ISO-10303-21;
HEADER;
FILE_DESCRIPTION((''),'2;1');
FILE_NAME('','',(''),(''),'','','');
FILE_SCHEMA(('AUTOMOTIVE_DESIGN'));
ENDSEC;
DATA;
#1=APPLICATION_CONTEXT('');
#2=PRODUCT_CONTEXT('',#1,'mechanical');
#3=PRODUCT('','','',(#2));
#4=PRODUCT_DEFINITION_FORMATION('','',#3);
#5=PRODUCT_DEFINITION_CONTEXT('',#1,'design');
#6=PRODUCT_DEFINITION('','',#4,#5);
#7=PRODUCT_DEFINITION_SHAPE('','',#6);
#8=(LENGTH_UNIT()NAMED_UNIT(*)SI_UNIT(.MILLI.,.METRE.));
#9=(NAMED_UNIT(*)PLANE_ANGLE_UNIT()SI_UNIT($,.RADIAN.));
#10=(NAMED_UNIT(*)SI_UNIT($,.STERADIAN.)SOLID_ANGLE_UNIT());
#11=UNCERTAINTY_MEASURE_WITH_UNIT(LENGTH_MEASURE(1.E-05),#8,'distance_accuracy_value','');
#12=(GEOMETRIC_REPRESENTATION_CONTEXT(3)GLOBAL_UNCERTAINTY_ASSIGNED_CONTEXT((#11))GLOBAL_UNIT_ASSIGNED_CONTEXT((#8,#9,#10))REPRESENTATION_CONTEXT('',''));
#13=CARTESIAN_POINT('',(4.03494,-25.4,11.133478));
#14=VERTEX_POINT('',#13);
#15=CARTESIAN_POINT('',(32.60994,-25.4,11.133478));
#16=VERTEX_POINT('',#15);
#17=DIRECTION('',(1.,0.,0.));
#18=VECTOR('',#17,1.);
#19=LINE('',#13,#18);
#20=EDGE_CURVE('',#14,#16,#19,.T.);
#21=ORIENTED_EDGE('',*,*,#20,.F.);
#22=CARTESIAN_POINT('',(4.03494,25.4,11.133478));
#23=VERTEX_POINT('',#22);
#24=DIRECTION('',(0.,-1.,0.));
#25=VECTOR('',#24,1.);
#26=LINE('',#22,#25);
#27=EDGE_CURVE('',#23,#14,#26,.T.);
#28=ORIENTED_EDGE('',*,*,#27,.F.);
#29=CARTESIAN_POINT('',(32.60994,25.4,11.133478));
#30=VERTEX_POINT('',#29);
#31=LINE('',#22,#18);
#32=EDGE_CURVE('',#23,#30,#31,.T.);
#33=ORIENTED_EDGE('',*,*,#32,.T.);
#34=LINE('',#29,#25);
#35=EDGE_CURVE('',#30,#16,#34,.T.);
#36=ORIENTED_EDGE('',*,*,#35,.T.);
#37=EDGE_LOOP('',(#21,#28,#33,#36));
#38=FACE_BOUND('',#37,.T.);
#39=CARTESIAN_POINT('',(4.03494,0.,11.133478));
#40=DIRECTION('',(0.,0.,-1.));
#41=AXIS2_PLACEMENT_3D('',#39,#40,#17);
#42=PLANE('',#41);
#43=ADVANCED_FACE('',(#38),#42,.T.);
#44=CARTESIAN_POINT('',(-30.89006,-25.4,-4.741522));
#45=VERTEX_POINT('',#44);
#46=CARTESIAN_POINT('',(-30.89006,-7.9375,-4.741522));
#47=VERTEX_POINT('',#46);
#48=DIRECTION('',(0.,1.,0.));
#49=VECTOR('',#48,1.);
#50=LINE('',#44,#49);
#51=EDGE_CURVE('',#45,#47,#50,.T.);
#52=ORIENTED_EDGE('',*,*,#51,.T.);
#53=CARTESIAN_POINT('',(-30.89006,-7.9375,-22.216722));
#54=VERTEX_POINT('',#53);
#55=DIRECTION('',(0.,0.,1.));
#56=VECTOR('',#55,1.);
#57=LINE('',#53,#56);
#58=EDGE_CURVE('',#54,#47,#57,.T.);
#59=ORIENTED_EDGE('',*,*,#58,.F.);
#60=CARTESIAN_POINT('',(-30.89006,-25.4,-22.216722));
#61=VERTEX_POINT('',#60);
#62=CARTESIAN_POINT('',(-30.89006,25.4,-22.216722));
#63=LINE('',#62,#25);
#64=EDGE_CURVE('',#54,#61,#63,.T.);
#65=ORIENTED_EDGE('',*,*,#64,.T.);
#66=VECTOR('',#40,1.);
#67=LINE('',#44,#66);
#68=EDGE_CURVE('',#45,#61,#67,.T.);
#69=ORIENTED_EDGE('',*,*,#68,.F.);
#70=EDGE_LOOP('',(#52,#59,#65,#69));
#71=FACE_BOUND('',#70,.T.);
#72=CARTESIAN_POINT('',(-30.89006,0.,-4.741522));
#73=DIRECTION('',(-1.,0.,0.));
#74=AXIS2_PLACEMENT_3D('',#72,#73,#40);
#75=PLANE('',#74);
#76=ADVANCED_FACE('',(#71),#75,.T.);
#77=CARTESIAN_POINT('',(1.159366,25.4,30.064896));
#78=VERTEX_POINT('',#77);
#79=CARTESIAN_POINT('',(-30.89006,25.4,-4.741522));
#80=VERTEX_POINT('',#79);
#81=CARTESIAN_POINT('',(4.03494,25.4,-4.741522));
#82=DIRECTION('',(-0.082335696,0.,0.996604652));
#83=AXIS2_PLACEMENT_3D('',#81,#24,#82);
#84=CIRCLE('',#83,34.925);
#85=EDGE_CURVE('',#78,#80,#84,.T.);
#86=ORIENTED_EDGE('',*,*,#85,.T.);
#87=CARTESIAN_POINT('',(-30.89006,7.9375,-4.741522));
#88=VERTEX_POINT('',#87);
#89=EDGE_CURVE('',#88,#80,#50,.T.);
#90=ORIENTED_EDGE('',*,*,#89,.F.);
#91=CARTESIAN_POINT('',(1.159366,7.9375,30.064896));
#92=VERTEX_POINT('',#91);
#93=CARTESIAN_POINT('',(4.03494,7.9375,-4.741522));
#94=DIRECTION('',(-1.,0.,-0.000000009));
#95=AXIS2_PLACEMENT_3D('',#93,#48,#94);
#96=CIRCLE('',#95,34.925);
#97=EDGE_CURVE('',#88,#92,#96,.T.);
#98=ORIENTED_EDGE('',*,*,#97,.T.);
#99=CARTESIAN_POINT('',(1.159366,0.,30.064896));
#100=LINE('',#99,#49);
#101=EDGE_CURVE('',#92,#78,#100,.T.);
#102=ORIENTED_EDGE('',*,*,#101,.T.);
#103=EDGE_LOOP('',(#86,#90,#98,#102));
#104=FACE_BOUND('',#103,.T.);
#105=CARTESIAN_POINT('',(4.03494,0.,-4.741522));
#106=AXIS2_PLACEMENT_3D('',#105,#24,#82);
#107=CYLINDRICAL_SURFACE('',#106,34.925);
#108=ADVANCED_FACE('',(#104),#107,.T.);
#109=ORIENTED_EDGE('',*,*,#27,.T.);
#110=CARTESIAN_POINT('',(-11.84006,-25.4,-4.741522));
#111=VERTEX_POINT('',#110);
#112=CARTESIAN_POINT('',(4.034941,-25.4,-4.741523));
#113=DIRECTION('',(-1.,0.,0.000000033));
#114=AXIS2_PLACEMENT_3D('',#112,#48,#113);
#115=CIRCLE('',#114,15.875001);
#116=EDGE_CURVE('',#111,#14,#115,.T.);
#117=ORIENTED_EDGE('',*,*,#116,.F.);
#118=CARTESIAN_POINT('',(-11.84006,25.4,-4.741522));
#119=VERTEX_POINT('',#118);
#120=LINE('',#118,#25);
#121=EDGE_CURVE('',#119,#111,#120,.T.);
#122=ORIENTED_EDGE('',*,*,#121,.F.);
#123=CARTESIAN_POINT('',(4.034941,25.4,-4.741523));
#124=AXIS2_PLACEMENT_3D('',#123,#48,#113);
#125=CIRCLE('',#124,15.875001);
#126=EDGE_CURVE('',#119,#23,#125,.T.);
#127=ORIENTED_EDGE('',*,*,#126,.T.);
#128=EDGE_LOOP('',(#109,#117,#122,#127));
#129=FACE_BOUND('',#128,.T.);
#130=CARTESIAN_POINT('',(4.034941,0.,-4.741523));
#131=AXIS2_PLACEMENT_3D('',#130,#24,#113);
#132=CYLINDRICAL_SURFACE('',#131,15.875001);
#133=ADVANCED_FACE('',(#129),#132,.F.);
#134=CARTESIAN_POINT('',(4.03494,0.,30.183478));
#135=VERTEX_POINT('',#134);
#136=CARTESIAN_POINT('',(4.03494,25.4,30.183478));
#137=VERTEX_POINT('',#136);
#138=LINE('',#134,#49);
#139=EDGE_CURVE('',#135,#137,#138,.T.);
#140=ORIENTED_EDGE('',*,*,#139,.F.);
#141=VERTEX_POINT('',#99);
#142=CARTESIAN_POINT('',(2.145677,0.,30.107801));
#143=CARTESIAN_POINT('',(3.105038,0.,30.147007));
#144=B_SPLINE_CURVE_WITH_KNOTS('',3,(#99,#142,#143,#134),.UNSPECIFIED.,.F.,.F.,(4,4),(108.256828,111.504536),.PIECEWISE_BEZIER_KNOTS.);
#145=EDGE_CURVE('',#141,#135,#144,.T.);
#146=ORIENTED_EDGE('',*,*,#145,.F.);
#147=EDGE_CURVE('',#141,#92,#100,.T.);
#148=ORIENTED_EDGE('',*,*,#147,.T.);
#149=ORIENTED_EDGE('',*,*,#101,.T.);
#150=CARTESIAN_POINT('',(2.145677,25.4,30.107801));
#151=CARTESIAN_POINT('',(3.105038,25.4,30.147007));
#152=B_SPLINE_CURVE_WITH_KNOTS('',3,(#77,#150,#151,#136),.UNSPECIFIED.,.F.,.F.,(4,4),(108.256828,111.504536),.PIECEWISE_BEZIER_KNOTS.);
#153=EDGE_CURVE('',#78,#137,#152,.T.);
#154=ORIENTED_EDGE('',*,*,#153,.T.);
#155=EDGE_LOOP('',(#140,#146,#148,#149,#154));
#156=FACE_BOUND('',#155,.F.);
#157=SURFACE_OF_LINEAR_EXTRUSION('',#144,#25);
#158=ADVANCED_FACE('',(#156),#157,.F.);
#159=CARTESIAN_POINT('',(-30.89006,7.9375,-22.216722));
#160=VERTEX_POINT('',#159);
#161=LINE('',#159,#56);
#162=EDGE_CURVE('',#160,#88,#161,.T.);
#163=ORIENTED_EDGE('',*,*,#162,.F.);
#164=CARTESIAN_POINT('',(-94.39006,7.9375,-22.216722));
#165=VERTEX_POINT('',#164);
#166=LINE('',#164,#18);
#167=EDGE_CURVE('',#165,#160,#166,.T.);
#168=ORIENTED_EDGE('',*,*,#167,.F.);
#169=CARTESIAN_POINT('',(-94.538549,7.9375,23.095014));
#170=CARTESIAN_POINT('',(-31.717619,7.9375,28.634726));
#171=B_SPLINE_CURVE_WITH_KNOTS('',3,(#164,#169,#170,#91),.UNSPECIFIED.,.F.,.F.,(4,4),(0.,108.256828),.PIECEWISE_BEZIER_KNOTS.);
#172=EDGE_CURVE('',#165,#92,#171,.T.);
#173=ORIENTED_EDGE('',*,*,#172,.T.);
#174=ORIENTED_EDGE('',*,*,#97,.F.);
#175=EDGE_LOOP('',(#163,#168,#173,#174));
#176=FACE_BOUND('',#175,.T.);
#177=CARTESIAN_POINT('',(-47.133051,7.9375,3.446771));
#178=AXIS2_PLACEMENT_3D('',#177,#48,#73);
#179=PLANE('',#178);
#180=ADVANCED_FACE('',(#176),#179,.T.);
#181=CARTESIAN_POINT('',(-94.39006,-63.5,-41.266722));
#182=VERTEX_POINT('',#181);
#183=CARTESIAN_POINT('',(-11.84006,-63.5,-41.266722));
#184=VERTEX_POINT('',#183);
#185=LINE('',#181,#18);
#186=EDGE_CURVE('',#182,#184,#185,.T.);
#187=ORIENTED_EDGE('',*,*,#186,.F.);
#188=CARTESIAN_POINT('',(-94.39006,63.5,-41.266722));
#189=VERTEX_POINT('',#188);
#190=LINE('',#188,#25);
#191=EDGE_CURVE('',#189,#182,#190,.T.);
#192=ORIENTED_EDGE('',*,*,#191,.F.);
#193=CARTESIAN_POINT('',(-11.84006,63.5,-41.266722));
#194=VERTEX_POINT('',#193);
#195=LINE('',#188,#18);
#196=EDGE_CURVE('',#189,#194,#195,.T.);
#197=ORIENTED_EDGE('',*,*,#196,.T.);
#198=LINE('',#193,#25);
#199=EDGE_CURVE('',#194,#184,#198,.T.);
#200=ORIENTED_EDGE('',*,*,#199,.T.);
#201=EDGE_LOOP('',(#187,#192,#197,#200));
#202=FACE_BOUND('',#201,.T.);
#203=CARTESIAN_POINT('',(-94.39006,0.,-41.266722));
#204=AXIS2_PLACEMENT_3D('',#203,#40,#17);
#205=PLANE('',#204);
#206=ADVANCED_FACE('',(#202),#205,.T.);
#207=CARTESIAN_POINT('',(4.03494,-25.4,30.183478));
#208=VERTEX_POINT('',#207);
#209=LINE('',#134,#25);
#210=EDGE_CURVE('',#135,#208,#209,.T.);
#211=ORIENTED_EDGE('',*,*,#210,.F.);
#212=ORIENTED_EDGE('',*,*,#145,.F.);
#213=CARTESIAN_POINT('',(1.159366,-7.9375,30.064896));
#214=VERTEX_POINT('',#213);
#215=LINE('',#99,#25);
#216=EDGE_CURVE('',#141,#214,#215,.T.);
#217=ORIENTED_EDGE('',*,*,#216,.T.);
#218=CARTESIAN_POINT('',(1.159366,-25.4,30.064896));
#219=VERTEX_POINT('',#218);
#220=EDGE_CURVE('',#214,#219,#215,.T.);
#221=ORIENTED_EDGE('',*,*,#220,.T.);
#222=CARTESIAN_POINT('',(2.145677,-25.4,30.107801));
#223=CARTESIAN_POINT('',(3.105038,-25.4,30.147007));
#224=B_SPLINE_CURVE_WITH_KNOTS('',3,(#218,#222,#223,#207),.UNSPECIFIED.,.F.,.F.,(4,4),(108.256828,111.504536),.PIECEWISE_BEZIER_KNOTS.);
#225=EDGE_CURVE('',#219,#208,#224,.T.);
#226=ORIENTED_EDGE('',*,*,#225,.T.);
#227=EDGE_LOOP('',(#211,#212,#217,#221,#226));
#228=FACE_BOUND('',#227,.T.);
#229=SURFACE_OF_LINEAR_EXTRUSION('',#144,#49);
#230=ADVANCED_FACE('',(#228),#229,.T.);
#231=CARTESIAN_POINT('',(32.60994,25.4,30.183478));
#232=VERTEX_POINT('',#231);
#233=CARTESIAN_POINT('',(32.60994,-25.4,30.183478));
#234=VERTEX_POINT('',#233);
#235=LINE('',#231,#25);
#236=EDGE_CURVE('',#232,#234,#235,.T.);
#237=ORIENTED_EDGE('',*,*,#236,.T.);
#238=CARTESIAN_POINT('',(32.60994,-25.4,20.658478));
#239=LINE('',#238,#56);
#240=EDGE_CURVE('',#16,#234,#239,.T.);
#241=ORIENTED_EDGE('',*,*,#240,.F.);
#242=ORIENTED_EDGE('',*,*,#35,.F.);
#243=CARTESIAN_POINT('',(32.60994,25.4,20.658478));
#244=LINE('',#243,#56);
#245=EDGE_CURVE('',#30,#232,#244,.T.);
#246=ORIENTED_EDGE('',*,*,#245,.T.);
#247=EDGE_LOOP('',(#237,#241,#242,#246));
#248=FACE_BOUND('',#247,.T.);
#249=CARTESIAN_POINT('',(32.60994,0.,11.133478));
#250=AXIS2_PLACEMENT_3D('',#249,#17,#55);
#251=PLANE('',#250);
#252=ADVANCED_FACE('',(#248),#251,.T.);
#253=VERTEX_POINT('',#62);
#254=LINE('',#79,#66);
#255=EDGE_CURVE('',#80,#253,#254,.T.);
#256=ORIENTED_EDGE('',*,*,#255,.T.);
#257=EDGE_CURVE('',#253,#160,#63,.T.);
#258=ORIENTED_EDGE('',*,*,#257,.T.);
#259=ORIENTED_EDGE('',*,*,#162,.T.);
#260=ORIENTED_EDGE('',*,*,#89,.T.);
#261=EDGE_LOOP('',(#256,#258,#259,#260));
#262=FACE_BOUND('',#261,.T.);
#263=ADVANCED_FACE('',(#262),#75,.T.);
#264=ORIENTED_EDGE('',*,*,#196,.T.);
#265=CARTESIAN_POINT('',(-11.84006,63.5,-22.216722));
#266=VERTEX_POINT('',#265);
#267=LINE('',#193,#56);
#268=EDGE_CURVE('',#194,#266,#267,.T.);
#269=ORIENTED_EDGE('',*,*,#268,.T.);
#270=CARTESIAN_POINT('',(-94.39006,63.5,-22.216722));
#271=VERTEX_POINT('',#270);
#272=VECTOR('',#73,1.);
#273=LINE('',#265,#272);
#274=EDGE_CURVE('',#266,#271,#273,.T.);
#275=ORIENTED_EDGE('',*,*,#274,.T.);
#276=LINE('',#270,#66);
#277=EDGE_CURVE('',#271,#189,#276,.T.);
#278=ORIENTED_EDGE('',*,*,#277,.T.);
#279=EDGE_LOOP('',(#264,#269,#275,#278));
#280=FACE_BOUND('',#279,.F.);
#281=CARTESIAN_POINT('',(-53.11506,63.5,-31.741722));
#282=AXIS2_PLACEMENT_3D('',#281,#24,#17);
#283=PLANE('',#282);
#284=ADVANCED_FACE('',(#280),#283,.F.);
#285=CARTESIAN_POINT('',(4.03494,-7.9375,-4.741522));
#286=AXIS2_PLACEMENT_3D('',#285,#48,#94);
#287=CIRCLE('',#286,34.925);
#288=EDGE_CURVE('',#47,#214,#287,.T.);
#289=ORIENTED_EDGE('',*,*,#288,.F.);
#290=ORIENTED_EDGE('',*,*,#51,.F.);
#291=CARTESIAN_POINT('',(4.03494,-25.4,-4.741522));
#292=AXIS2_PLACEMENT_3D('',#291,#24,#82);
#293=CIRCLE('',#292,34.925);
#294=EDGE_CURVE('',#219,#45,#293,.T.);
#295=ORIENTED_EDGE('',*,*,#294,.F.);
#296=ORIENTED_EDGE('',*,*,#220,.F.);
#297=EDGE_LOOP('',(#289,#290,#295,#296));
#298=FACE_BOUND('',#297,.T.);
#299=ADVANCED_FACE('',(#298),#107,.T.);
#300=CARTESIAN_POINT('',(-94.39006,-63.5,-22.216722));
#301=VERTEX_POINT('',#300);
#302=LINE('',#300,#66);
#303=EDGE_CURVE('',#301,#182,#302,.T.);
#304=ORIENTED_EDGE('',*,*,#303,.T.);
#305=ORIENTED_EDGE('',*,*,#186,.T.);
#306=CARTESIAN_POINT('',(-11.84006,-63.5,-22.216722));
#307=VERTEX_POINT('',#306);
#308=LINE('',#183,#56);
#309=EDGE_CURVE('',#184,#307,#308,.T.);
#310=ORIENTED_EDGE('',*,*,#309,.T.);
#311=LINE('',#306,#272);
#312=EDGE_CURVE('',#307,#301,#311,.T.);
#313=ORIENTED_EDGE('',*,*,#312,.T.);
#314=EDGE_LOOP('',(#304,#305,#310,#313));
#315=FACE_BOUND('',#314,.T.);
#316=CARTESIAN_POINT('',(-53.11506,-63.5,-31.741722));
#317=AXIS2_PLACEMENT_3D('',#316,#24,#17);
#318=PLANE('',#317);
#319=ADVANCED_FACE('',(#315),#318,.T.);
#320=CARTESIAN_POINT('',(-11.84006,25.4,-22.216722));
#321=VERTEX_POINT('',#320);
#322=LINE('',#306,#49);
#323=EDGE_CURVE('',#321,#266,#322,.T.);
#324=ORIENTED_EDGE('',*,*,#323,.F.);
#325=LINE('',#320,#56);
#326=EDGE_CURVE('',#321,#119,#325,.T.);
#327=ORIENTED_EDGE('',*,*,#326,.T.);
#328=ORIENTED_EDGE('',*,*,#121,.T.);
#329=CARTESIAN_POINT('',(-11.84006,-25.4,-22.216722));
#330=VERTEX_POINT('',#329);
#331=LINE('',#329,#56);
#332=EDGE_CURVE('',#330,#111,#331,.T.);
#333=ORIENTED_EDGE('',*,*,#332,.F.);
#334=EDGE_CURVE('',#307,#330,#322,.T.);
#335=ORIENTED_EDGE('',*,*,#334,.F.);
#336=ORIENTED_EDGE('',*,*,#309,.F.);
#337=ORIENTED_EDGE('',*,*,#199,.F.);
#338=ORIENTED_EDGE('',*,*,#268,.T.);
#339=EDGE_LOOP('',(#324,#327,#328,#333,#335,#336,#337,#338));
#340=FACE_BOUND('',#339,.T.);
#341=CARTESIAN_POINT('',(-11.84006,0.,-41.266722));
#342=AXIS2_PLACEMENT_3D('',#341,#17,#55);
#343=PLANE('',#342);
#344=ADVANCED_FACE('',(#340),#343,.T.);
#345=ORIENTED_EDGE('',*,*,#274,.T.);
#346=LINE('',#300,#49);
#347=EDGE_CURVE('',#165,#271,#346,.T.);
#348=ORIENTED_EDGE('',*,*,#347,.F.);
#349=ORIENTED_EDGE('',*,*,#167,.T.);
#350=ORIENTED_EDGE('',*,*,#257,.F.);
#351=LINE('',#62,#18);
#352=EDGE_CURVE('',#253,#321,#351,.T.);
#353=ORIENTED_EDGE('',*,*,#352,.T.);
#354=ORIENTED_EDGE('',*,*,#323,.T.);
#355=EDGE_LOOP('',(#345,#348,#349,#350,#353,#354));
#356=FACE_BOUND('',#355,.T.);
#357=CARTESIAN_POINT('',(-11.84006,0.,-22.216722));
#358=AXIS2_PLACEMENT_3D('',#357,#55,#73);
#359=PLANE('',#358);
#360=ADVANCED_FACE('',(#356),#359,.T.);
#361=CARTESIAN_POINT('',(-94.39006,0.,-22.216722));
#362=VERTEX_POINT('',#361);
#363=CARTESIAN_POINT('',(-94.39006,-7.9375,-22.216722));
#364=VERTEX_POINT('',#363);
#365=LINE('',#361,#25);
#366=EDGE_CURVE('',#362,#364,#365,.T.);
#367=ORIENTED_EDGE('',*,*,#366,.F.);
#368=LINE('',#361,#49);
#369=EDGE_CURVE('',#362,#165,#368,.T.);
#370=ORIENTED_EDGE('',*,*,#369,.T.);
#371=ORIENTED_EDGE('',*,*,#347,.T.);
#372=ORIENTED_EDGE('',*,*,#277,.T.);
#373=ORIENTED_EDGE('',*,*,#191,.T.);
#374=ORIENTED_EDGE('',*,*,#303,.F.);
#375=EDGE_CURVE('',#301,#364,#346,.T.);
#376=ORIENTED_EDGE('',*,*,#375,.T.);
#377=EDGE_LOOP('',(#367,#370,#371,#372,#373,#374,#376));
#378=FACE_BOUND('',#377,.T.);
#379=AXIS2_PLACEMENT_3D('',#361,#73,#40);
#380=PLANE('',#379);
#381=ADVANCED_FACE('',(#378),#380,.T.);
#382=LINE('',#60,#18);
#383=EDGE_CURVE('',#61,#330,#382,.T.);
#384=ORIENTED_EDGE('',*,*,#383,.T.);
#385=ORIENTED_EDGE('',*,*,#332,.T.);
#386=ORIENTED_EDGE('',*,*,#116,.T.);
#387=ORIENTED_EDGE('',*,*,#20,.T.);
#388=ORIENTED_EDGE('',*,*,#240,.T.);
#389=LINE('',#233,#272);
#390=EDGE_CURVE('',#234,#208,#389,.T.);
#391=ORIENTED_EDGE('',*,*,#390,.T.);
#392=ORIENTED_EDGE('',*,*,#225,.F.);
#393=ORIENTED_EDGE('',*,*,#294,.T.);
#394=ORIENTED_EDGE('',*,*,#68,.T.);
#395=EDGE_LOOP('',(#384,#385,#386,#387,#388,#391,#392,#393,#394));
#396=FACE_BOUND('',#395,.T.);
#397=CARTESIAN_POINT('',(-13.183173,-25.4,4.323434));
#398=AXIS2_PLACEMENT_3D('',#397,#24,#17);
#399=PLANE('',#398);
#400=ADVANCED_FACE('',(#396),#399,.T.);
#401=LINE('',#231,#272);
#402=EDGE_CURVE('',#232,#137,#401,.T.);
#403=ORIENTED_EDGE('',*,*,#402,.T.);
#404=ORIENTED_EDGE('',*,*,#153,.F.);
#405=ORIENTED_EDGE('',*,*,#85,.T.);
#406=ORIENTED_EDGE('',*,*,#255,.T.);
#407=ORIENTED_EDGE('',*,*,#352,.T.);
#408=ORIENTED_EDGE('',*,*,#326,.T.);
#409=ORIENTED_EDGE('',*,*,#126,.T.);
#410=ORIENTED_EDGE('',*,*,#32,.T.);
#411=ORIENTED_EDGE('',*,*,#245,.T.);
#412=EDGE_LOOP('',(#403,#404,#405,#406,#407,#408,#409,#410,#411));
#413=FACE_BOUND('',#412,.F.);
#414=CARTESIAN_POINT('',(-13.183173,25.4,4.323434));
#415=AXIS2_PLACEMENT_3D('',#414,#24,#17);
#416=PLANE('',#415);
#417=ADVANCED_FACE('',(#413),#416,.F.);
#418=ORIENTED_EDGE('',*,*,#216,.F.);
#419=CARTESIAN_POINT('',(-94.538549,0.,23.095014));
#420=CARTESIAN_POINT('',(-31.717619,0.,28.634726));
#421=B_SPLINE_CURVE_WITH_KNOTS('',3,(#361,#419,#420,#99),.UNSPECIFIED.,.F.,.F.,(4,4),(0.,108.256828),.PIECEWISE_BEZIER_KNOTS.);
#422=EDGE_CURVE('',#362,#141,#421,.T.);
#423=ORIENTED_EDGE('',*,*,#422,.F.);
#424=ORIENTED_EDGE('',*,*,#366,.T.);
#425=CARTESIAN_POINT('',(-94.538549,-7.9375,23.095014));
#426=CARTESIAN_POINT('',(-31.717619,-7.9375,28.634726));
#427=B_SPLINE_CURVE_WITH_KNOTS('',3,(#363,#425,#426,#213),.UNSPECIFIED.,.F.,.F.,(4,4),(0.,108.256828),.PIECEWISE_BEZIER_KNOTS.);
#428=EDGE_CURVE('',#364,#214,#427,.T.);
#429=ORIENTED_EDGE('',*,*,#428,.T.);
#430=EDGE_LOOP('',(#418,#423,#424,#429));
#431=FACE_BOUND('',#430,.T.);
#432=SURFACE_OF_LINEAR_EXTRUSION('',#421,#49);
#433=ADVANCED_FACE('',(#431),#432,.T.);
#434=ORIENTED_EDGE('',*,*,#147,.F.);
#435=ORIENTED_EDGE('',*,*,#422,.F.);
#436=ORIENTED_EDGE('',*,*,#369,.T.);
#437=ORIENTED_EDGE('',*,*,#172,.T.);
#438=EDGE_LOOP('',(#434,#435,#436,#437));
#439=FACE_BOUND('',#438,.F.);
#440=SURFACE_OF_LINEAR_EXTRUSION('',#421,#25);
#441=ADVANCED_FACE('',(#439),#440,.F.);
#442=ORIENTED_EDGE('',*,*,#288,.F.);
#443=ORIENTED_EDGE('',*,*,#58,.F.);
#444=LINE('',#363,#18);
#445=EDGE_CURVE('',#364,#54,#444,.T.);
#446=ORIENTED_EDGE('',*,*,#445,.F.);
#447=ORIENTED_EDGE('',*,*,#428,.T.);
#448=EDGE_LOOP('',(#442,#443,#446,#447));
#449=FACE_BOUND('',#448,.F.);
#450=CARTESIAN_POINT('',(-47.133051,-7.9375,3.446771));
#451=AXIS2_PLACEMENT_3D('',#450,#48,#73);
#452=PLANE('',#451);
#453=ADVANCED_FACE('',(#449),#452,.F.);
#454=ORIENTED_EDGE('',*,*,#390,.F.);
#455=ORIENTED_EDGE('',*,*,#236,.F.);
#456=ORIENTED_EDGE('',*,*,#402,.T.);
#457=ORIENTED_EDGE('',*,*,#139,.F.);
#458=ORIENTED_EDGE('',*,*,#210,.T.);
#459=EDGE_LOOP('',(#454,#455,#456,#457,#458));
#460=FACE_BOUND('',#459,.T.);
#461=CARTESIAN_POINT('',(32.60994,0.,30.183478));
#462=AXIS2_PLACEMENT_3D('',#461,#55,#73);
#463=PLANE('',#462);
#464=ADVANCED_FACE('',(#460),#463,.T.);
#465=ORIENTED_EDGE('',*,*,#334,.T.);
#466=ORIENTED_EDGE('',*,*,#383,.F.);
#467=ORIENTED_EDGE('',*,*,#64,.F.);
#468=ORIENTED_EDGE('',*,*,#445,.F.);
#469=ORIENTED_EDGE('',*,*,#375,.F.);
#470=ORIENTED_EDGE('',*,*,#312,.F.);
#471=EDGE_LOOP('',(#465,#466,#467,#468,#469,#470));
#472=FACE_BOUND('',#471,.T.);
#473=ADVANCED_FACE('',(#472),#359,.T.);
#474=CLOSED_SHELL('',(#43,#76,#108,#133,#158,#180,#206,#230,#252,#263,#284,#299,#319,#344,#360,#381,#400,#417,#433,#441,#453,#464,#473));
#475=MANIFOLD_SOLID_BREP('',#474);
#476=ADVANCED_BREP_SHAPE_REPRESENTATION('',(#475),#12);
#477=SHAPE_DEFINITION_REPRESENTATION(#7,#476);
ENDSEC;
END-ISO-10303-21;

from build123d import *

# Parameters (mm, degrees)
F1_DEPTH = 63.5
F0_W     = 25.4
F0_H     = 19.05
F2_DEPTH = 25.4
F3_DEPTH = 7.9375


with BuildPart() as f1:
    # F0 (on Front) → F1 (new body, symmetric)
    with BuildSketch(Plane.XZ):
        Polygon((-30.89006, -22.216722), (-94.39006, -22.216722), (-94.39006, -41.266722), (-11.84006, -41.266722), (-11.84006, -22.216722), align=None)
    extrude(amount=F1_DEPTH, both=True)

    # F0 (on Front) → F2 (join, symmetric)
    with BuildSketch(Plane.XZ):
        with BuildLine():
            Line((-30.89006, -4.741522), (-30.89006, -22.216722))
            Line((-30.89006, -22.216722), (-11.84006, -22.216722))
            Line((-11.84006, -22.216722), (-11.84006, -4.741522))
            ThreePointArc((-11.84006, -4.741522), (-7.19038, 6.483798), (4.03494, 11.133478))
            Line((4.03494, 11.133478), (7.20994, 11.133478))
            Line((7.20994, 11.133478), (7.20994, 30.183478))
            Line((7.20994, 30.183478), (4.03494, 30.183478))
            add(Edge.make_bspline(
                [(1.159366, 30.064896), (2.145677, 30.107801), (3.105038, 30.147007), (4.03494, 30.183478)],
                knots=[108.256828, 108.256828, 108.256828, 108.256828, 111.504536, 111.504536, 111.504536, 111.504536], degree=3))
            ThreePointArc((1.159366, 30.064896), (-21.657326, 18.915678), (-30.89006, -4.741522))
        make_face()
        with Locations((19.90994, 20.658478)):
            Rectangle(F0_W, F0_H)
    extrude(amount=F2_DEPTH, both=True)

    # F0 (on Front) → F3 (join, symmetric)
    with BuildSketch(Plane.XZ):
        with BuildLine():
            add(Edge.make_bspline(
                [(-94.39006, -22.216722), (-94.538549, 23.095014), (-31.717619, 28.634726), (1.159366, 30.064896)],
                knots=[0, 0, 0, 0, 108.256828, 108.256828, 108.256828, 108.256828], degree=3))
            Line((-94.39006, -22.216722), (-30.89006, -22.216722))
            Line((-30.89006, -22.216722), (-30.89006, -4.741522))
            ThreePointArc((-30.89006, -4.741522), (-21.657326, 18.915678), (1.159366, 30.064896))
        make_face()
    extrude(amount=F3_DEPTH, both=True)


solid = f1.part
